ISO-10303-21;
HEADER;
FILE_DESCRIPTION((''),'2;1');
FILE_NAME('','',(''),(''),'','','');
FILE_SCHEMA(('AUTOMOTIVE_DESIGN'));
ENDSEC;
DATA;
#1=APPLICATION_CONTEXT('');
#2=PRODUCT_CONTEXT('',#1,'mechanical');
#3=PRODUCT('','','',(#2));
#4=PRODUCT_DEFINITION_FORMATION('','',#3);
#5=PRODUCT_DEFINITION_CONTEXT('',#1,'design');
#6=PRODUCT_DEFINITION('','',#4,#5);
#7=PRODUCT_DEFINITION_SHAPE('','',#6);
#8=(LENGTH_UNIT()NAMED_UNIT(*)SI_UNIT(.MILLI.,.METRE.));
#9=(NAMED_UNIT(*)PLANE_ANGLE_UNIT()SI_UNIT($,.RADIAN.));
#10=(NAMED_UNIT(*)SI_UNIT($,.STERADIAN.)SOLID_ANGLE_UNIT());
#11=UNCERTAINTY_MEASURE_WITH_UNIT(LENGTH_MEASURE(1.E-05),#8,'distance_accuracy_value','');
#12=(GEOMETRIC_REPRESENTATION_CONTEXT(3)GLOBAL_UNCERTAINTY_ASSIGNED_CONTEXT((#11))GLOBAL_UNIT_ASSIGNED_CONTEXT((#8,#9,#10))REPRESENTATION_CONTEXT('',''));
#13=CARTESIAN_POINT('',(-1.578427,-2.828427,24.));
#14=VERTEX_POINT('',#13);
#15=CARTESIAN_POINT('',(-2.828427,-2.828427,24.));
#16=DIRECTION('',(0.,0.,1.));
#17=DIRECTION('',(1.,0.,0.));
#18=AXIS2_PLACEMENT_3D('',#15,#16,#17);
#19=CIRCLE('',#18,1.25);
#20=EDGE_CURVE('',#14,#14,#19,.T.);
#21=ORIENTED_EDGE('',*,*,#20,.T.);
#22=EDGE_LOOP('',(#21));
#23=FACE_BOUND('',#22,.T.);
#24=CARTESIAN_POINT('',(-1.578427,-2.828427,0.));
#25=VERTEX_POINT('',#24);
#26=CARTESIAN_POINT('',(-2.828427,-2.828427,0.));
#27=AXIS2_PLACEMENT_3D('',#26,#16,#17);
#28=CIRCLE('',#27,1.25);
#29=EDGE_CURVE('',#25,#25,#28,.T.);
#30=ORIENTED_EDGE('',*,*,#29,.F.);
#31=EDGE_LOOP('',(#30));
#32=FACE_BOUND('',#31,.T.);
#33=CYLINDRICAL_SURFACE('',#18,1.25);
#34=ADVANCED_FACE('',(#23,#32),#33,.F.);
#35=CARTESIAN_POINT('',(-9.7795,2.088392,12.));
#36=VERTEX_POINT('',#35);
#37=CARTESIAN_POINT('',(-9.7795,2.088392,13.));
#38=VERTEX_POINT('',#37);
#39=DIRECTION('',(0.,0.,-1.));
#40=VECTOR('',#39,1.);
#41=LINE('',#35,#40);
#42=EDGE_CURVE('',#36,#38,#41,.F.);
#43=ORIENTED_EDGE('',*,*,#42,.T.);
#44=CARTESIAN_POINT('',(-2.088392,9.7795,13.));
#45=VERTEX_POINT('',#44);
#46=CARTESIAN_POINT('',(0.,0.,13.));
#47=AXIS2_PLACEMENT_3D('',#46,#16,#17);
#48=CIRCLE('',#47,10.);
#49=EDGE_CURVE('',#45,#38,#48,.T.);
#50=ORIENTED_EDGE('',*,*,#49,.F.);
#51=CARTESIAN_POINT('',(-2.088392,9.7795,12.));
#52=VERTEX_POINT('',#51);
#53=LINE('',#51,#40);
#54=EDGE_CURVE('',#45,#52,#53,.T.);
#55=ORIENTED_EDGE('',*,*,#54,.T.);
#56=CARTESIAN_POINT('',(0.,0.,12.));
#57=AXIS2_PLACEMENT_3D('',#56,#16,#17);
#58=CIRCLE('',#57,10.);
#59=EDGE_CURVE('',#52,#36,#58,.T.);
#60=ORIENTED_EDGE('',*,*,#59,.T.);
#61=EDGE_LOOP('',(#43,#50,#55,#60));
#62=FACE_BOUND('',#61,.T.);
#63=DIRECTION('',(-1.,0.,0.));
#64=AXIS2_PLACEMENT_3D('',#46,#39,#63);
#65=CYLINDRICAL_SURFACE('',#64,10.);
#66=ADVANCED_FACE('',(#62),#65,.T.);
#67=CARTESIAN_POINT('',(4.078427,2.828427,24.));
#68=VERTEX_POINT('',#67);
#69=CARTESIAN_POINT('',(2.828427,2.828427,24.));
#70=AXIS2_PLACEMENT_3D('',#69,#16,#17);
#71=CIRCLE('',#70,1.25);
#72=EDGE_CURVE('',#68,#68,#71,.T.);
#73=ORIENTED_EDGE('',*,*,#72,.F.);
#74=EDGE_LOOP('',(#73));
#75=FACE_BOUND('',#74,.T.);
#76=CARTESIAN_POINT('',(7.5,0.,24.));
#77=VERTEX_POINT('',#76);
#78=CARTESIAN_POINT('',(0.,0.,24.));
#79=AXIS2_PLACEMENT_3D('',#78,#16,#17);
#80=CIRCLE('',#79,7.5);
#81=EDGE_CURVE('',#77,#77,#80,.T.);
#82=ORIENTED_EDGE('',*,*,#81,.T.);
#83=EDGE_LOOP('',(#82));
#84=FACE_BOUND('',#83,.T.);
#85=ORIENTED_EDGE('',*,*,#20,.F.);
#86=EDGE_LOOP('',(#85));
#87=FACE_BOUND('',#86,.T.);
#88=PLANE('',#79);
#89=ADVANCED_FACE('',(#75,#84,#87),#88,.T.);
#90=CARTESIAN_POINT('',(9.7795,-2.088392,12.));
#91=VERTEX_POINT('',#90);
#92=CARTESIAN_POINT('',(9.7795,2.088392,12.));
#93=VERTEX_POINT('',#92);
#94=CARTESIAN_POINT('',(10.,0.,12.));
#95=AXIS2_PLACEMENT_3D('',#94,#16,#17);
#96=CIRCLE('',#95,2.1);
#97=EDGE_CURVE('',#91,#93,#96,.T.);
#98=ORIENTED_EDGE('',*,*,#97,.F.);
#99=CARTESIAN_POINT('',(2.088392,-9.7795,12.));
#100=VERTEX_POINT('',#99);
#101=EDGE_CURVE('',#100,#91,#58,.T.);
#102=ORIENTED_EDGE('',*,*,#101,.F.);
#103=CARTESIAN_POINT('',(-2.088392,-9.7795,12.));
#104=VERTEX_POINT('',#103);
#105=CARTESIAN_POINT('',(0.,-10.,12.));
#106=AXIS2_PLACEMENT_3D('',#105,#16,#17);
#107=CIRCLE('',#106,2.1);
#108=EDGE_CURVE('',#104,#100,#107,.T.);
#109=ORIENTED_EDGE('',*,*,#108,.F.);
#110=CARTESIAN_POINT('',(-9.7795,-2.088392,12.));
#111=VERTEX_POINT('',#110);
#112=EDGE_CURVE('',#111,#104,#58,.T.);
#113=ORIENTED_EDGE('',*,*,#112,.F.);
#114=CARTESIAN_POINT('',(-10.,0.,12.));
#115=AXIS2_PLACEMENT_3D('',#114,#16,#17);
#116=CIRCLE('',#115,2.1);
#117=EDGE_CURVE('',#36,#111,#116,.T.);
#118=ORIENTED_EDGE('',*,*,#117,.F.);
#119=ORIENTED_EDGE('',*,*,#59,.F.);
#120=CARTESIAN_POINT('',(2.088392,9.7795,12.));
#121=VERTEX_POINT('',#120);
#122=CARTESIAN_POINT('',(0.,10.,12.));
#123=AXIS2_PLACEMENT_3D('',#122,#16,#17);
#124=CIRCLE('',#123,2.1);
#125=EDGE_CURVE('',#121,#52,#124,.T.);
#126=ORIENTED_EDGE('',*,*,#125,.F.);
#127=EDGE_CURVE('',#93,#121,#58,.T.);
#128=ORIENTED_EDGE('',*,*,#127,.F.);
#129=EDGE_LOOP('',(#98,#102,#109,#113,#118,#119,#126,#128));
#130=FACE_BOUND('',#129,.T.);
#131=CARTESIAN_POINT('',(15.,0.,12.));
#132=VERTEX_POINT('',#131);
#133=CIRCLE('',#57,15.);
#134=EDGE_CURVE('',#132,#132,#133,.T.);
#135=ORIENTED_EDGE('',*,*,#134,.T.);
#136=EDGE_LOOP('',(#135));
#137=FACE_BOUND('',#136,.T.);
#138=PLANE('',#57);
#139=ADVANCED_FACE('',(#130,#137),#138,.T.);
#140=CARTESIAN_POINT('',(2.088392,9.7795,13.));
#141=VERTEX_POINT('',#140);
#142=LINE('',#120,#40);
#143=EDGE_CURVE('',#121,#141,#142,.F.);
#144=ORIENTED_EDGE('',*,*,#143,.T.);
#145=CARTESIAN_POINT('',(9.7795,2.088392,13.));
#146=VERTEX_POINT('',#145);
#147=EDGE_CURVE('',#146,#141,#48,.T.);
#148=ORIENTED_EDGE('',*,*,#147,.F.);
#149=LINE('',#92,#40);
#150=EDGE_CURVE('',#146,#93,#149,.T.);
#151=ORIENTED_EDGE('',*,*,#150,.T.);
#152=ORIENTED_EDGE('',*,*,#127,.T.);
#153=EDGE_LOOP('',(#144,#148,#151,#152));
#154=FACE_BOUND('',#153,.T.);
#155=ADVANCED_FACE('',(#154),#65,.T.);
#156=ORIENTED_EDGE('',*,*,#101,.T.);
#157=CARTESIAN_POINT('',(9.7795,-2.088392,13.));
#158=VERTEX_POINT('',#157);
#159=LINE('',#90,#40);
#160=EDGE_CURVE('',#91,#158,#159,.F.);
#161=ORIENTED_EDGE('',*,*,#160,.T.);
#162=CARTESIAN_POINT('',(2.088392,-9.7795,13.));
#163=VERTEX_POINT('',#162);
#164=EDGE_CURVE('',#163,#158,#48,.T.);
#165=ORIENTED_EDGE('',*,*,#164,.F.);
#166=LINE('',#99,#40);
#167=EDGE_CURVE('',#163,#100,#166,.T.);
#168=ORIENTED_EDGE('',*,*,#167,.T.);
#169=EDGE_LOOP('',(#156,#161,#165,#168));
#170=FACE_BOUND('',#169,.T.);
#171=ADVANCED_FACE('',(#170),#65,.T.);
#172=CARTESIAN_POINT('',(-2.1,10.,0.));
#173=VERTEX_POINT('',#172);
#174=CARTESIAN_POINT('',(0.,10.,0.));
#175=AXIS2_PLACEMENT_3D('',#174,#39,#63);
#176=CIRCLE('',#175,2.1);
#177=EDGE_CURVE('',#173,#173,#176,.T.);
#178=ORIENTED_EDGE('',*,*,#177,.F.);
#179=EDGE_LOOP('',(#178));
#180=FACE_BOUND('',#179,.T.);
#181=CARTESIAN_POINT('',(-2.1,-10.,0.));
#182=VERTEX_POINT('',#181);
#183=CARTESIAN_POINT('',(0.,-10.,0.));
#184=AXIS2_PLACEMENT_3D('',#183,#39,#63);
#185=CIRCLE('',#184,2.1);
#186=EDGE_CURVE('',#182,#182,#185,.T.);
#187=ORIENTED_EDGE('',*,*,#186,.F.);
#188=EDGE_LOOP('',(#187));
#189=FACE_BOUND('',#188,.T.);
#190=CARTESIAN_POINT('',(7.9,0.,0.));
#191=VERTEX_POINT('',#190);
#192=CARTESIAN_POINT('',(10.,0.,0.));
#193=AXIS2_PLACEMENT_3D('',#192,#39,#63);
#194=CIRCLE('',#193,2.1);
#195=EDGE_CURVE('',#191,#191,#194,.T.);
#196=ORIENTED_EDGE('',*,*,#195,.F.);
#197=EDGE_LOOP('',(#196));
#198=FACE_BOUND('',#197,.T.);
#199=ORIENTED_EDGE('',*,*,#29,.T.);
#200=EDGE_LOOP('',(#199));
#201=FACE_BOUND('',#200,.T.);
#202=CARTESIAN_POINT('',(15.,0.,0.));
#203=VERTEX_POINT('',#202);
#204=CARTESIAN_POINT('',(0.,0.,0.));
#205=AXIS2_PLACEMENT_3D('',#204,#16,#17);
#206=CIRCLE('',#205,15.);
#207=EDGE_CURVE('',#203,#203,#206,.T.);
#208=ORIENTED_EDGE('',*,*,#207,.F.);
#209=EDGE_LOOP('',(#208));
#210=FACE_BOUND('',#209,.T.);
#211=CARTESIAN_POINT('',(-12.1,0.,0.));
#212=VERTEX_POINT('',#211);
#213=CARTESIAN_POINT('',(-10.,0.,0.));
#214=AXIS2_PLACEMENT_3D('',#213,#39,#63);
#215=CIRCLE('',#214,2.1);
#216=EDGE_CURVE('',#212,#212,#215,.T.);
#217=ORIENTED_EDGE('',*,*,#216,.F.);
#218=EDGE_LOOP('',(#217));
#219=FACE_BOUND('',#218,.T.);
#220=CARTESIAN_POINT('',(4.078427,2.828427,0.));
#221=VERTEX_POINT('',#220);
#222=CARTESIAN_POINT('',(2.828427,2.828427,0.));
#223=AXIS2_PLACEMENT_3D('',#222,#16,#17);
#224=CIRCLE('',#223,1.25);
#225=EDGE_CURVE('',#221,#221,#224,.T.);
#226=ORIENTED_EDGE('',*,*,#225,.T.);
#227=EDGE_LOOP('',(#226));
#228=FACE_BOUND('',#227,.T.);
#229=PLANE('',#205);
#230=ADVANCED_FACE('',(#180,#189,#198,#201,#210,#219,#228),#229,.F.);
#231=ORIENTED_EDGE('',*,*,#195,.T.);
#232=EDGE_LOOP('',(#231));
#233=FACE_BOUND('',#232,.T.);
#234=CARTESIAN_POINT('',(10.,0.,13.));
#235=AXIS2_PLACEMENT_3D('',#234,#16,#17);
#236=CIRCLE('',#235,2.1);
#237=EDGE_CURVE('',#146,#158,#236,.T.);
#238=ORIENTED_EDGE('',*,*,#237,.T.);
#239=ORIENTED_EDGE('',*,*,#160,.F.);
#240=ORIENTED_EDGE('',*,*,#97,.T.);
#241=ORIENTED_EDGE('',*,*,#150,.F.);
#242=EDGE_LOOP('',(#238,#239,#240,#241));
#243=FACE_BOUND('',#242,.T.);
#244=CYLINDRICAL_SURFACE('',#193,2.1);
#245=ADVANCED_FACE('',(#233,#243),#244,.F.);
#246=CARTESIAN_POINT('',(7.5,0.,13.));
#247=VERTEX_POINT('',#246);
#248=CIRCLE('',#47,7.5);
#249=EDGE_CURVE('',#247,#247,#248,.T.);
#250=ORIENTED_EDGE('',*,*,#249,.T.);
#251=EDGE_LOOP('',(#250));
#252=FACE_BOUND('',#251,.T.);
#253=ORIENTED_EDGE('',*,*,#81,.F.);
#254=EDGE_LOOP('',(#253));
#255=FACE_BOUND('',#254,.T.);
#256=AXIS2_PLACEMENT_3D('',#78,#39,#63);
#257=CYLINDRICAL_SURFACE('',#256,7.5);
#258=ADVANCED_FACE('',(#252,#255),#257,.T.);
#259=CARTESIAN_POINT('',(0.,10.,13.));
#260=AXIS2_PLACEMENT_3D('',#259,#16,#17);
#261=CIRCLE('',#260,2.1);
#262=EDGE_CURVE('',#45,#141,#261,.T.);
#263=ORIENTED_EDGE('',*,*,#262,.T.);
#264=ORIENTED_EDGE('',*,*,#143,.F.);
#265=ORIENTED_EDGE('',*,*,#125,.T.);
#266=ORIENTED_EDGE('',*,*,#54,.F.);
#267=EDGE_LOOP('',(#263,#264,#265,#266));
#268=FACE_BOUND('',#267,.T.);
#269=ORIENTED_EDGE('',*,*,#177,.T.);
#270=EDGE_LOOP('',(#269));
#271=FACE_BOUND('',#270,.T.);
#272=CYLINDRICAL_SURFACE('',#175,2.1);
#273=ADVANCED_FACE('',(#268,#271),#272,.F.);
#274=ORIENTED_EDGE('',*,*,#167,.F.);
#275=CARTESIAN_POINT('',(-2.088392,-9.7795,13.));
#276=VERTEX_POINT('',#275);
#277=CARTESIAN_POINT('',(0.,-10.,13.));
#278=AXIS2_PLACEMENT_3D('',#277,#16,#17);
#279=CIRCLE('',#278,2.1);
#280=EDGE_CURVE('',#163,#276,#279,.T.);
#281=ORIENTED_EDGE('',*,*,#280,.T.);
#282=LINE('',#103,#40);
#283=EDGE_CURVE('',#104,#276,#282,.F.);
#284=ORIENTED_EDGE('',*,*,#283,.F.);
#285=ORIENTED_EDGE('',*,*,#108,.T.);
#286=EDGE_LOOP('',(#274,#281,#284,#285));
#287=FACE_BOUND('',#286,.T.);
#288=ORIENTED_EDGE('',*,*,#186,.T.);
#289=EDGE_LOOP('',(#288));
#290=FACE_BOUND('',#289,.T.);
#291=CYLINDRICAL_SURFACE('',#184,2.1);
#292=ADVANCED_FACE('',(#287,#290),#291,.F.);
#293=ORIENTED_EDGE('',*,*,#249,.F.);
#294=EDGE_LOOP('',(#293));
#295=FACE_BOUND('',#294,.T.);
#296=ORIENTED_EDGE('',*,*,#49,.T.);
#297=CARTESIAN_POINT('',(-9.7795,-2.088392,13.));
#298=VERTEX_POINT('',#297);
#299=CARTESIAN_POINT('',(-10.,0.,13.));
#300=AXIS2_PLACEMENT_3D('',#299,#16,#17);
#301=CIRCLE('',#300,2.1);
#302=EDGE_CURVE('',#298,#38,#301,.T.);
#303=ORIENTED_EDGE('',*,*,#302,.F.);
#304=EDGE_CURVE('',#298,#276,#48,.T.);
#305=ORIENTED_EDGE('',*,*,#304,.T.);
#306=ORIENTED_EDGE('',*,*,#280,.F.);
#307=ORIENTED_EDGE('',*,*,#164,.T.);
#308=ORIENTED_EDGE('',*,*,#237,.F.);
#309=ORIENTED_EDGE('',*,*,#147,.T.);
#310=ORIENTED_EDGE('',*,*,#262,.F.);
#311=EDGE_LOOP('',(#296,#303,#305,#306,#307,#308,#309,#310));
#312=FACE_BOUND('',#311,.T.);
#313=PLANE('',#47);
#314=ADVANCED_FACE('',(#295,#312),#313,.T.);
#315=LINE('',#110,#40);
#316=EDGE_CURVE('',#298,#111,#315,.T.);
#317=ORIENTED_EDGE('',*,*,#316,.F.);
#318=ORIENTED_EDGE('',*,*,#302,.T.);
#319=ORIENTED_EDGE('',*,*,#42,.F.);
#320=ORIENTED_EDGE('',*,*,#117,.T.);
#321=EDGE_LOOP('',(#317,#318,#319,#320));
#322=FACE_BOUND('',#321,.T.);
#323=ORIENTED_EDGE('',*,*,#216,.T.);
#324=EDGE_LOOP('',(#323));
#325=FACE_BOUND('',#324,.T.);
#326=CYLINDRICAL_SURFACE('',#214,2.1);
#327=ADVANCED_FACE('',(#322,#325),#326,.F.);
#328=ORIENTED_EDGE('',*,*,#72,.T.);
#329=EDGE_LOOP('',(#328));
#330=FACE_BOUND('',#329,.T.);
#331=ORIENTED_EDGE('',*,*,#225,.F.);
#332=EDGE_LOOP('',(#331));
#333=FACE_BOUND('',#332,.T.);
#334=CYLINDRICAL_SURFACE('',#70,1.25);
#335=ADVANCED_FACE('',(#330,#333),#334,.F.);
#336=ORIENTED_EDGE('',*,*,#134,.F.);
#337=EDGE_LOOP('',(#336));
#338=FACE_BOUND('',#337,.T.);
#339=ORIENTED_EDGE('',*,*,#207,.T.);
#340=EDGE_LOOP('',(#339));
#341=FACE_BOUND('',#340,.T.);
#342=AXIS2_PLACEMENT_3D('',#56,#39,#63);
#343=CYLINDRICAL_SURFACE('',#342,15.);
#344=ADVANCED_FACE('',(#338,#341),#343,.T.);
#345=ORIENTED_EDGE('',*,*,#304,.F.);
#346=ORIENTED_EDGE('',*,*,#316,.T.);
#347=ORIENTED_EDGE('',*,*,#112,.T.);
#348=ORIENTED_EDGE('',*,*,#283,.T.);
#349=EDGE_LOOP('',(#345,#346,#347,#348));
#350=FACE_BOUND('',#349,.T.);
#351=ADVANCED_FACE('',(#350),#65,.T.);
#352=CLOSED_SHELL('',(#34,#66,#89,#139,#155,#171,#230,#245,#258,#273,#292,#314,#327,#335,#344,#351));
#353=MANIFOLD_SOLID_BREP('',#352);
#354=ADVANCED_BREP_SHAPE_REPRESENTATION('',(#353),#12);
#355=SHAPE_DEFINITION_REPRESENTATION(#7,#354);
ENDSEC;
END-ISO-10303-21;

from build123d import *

# Parameters (mm, degrees)
SKETCH_1_R      = 15
EXTRUDE_1_DEPTH = 12
SKETCH_2_R      = 10
EXTRUDE_2_DEPTH = 1
SKETCH_3_R      = 7.5
EXTRUDE_3_DEPTH = 11
M5X0_81_D       = 4.2
M3X0_51_D       = 2.5


with BuildPart() as part:
    # Эскиз1 → Бобышка-Вытянуть1 (new body)
    with BuildSketch(Plane.XY):
        Circle(SKETCH_1_R)
    extrude(amount=EXTRUDE_1_DEPTH)

    # Эскиз2 → Бобышка-Вытянуть2 (add)
    with BuildSketch(Plane.XY.offset(12)):
        Circle(SKETCH_2_R)
    extrude(amount=EXTRUDE_2_DEPTH)

    # Эскиз3 → Бобышка-Вытянуть3 (add)
    with BuildSketch(Plane.XY.offset(13)):
        Circle(SKETCH_3_R)
    extrude(amount=EXTRUDE_3_DEPTH)

    # Отверстие обработанное метчиком M5x0.81 (through all)
    with Locations(Plane(origin=(0, 0, 0), x_dir=(-1, 0, 0), z_dir=(0, 0, -1))):
        with Locations((0, 10), (10, 0), (-10, 0), (0, -10)):
            Hole(M5X0_81_D / 2)

    # Отверстие обработанное метчиком M3x0.51 (through all)
    with Locations(Plane.XY.offset(24)):
        with Locations((-2.828427125, -2.828427125), (2.828427125, 2.828427125)):
            Hole(M3X0_51_D / 2)


solid = part.part
